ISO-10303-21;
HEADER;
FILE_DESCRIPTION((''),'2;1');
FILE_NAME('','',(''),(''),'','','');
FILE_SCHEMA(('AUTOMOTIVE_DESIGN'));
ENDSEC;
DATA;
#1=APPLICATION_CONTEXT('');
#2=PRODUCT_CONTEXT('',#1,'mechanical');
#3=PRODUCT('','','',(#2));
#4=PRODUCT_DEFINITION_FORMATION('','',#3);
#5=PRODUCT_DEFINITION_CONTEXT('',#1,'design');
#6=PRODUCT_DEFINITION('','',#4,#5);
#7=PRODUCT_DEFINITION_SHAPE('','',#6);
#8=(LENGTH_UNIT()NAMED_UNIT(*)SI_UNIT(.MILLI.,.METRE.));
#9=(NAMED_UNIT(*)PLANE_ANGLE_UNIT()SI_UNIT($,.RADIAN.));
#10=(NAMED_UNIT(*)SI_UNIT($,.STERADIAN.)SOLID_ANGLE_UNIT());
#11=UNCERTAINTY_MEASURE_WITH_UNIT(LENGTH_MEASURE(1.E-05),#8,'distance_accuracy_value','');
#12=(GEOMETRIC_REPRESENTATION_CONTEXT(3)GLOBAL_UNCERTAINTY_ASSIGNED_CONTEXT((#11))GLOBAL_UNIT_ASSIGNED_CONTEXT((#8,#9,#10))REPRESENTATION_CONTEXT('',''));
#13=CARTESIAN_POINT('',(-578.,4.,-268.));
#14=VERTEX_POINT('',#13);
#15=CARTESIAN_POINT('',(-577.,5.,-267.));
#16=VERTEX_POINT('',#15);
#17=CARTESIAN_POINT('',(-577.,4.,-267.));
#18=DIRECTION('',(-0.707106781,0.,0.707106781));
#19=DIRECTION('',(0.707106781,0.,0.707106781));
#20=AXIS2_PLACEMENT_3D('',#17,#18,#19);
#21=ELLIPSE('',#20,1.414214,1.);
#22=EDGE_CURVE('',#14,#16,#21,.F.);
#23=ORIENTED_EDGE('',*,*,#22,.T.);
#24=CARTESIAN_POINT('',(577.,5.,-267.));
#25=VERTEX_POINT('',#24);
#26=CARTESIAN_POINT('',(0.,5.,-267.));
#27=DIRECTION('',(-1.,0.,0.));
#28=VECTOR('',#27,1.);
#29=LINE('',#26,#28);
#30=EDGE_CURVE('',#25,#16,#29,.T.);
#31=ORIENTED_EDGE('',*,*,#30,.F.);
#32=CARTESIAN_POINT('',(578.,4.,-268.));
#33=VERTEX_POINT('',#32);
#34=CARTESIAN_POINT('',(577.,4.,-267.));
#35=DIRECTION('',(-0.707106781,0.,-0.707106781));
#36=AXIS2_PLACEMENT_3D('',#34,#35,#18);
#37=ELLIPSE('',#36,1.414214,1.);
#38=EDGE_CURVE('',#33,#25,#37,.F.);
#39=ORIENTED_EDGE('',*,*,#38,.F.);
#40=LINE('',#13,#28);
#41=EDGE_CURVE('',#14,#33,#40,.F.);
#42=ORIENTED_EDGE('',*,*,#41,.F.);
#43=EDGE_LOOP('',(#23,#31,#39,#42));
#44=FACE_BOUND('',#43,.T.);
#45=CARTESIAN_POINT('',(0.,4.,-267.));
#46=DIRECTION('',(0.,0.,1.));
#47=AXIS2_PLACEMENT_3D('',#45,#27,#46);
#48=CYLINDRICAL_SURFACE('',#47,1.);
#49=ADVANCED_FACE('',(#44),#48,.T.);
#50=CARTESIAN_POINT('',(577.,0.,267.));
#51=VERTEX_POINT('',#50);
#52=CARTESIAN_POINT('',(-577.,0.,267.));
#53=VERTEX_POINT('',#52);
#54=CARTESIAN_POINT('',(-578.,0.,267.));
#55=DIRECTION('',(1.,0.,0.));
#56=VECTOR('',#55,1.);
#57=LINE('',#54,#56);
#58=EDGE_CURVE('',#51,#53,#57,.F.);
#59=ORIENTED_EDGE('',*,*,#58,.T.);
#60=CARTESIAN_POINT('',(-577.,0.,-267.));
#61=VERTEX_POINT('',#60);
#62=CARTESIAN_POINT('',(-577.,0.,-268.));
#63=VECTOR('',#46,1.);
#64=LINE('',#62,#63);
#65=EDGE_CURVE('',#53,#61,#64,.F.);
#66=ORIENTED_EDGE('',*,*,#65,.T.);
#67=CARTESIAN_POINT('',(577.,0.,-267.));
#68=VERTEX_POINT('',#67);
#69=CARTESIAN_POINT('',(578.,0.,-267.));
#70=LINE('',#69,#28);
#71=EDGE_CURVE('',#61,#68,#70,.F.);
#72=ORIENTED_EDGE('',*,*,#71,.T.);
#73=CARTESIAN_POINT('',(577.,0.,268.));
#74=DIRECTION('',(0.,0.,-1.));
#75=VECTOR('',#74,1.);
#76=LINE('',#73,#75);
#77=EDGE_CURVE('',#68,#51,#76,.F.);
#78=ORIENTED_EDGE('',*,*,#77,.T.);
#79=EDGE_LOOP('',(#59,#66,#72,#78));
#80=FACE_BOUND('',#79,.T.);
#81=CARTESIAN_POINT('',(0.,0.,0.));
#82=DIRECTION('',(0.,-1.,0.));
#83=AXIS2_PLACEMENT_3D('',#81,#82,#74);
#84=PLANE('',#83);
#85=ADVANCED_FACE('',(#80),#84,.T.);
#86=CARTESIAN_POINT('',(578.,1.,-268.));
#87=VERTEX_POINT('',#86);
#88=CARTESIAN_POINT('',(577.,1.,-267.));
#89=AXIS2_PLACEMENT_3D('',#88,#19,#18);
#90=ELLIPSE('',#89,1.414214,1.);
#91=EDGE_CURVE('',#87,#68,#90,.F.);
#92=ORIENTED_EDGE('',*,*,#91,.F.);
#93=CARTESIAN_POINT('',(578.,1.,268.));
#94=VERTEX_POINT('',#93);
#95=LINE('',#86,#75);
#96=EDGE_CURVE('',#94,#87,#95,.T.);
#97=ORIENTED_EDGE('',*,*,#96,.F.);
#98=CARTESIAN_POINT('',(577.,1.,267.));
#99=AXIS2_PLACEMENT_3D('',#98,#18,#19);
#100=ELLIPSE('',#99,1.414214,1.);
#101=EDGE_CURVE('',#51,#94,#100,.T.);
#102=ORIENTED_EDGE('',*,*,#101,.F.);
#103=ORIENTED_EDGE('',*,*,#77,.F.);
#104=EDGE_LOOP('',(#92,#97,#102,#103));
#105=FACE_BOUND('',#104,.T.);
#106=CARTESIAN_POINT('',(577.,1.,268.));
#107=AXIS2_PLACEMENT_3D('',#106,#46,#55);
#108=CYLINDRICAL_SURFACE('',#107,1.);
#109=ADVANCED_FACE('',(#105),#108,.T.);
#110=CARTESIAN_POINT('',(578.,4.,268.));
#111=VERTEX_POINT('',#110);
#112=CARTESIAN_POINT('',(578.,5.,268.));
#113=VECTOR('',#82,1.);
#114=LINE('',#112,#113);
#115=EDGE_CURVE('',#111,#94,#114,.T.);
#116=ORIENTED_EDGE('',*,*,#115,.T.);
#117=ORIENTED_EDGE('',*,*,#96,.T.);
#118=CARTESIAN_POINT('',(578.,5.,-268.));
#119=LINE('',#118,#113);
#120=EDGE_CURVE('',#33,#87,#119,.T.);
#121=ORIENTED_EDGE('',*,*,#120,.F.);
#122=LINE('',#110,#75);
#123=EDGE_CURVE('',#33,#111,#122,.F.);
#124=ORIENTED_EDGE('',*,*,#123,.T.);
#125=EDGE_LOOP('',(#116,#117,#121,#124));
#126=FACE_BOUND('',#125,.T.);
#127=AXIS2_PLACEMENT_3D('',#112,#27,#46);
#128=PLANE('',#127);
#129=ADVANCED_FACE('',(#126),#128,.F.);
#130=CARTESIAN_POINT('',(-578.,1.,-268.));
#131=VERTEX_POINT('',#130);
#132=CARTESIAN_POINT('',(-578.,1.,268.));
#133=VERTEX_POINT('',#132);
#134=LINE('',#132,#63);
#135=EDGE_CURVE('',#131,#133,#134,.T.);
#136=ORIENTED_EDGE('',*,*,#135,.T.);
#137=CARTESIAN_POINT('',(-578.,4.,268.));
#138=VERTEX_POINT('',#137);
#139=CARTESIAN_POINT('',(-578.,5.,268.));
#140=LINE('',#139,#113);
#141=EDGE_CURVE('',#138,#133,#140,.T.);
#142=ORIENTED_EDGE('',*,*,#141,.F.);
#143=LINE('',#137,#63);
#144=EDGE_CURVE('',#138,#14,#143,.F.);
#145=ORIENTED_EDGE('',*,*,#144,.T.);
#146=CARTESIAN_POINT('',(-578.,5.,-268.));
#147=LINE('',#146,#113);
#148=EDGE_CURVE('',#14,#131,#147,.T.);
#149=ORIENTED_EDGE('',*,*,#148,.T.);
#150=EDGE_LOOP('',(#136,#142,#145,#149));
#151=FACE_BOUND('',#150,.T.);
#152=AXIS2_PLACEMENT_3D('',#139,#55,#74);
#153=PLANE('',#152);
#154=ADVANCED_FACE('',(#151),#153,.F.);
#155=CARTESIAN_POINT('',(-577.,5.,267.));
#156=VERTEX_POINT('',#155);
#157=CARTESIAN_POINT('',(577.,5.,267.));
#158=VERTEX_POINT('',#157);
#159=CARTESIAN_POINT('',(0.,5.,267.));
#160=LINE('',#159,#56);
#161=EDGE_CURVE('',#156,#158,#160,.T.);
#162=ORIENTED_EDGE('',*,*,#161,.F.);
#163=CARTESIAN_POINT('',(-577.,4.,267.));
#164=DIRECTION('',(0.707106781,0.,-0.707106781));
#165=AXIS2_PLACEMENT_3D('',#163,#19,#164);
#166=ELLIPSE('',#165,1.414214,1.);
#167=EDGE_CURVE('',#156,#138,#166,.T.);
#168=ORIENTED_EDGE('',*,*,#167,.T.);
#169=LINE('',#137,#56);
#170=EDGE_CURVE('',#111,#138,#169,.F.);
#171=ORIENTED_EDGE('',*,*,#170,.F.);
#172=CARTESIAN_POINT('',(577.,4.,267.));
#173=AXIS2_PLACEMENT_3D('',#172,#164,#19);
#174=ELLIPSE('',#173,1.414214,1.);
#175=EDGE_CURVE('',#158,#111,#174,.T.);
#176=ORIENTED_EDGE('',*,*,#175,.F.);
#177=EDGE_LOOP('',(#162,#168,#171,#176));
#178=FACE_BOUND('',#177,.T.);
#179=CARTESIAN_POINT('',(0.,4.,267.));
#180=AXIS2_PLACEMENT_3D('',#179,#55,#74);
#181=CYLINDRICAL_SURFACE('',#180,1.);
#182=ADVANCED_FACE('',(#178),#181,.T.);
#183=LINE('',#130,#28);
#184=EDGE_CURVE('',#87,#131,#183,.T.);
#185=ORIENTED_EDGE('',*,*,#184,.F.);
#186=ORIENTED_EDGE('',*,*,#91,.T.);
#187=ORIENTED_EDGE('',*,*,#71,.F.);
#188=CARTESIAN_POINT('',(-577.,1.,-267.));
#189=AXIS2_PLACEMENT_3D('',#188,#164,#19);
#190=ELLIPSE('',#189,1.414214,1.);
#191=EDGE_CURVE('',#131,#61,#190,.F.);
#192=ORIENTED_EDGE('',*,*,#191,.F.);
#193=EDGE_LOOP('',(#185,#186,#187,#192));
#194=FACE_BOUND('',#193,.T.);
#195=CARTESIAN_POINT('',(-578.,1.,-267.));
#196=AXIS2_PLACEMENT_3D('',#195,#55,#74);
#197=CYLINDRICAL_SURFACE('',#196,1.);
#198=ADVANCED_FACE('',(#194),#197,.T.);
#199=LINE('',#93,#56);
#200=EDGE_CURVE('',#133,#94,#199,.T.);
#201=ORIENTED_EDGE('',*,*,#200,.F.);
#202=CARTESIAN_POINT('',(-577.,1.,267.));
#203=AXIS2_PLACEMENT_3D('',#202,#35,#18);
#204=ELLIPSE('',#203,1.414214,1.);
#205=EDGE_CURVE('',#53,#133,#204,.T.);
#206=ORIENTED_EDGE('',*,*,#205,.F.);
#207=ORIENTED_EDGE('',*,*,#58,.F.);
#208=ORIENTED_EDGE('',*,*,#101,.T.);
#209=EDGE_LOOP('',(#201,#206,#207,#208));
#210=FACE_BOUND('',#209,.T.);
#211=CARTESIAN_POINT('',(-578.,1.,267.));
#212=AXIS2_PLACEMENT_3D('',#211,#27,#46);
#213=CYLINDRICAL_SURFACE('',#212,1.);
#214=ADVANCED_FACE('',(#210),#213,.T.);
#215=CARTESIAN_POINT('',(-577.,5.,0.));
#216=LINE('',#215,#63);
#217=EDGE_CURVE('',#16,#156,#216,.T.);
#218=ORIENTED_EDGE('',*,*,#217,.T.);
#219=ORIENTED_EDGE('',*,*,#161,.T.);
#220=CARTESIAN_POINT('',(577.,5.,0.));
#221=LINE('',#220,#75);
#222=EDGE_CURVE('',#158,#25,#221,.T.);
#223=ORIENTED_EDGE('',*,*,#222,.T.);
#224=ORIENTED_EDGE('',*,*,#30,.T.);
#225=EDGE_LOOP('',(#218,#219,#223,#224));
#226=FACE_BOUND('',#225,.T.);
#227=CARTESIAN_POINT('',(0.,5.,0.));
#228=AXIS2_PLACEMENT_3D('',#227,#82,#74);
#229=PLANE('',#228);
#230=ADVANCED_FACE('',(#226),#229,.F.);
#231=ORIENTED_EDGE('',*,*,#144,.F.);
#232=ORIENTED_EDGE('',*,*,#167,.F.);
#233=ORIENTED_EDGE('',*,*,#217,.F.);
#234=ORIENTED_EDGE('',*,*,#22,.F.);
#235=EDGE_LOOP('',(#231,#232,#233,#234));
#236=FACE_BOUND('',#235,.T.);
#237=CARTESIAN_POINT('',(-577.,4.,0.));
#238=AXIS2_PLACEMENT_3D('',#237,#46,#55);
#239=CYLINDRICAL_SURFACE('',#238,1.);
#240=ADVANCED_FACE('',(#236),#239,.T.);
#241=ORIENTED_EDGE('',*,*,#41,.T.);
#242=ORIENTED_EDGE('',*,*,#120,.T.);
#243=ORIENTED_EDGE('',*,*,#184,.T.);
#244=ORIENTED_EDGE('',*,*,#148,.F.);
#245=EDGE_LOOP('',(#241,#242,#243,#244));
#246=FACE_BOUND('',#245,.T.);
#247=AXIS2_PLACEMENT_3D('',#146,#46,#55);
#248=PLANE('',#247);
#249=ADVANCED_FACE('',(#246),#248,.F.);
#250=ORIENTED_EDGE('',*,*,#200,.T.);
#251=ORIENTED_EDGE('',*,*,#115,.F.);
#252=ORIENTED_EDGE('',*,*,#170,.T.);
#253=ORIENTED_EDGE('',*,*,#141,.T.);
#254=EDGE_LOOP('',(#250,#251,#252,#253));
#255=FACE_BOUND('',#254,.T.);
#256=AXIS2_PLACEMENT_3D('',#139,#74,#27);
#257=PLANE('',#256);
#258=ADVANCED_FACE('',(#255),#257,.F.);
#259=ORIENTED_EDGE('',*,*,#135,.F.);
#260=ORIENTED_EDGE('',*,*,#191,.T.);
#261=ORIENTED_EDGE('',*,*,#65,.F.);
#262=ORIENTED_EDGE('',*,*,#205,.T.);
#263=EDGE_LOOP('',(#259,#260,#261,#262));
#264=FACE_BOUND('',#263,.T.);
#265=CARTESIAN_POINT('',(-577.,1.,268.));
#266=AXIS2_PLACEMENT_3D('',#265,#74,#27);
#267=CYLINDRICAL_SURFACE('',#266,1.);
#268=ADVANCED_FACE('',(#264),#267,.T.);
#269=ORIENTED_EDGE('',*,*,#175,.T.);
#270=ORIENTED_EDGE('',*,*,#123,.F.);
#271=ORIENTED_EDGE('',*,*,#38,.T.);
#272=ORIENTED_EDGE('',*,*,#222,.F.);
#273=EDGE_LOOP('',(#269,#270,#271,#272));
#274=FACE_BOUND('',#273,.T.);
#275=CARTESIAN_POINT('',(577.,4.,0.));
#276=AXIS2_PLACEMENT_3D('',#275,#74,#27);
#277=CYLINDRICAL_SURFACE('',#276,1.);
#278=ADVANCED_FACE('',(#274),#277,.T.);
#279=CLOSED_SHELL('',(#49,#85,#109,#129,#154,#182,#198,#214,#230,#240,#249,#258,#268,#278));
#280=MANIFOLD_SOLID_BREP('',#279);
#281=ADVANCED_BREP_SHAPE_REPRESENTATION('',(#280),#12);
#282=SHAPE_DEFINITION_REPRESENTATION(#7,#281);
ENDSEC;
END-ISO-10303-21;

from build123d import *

# Parameters (mm, degrees)
SKETCH1_W           = 1156
SKETCH1_H           = 536
BOSS_EXTRUDE1_DEPTH = 5
FILLET1_R           = 1


with BuildPart() as part:
    # Sketch1 → Boss-Extrude1 (new body)
    with BuildSketch(Plane(origin=(0, 0, 0), x_dir=(1, 0, 0), z_dir=(0, 1, 0))):
        Rectangle(SKETCH1_W, SKETCH1_H)
    extrude(amount=BOSS_EXTRUDE1_DEPTH)

    # Fillet1
    fillet1_edges = [part.edges().sort_by_distance(p)[0] for p in [
        (-578, 5, 0),
        (0, 5, 268),
        (578, 5, 0),
        (0, 0, 268),
        (-578, 0, 0),
        (0, 0, -268),
        (578, 0, 0),
        (0, 5, -268),
    ]]
    fillet(fillet1_edges, radius=FILLET1_R)


solid = part.part
